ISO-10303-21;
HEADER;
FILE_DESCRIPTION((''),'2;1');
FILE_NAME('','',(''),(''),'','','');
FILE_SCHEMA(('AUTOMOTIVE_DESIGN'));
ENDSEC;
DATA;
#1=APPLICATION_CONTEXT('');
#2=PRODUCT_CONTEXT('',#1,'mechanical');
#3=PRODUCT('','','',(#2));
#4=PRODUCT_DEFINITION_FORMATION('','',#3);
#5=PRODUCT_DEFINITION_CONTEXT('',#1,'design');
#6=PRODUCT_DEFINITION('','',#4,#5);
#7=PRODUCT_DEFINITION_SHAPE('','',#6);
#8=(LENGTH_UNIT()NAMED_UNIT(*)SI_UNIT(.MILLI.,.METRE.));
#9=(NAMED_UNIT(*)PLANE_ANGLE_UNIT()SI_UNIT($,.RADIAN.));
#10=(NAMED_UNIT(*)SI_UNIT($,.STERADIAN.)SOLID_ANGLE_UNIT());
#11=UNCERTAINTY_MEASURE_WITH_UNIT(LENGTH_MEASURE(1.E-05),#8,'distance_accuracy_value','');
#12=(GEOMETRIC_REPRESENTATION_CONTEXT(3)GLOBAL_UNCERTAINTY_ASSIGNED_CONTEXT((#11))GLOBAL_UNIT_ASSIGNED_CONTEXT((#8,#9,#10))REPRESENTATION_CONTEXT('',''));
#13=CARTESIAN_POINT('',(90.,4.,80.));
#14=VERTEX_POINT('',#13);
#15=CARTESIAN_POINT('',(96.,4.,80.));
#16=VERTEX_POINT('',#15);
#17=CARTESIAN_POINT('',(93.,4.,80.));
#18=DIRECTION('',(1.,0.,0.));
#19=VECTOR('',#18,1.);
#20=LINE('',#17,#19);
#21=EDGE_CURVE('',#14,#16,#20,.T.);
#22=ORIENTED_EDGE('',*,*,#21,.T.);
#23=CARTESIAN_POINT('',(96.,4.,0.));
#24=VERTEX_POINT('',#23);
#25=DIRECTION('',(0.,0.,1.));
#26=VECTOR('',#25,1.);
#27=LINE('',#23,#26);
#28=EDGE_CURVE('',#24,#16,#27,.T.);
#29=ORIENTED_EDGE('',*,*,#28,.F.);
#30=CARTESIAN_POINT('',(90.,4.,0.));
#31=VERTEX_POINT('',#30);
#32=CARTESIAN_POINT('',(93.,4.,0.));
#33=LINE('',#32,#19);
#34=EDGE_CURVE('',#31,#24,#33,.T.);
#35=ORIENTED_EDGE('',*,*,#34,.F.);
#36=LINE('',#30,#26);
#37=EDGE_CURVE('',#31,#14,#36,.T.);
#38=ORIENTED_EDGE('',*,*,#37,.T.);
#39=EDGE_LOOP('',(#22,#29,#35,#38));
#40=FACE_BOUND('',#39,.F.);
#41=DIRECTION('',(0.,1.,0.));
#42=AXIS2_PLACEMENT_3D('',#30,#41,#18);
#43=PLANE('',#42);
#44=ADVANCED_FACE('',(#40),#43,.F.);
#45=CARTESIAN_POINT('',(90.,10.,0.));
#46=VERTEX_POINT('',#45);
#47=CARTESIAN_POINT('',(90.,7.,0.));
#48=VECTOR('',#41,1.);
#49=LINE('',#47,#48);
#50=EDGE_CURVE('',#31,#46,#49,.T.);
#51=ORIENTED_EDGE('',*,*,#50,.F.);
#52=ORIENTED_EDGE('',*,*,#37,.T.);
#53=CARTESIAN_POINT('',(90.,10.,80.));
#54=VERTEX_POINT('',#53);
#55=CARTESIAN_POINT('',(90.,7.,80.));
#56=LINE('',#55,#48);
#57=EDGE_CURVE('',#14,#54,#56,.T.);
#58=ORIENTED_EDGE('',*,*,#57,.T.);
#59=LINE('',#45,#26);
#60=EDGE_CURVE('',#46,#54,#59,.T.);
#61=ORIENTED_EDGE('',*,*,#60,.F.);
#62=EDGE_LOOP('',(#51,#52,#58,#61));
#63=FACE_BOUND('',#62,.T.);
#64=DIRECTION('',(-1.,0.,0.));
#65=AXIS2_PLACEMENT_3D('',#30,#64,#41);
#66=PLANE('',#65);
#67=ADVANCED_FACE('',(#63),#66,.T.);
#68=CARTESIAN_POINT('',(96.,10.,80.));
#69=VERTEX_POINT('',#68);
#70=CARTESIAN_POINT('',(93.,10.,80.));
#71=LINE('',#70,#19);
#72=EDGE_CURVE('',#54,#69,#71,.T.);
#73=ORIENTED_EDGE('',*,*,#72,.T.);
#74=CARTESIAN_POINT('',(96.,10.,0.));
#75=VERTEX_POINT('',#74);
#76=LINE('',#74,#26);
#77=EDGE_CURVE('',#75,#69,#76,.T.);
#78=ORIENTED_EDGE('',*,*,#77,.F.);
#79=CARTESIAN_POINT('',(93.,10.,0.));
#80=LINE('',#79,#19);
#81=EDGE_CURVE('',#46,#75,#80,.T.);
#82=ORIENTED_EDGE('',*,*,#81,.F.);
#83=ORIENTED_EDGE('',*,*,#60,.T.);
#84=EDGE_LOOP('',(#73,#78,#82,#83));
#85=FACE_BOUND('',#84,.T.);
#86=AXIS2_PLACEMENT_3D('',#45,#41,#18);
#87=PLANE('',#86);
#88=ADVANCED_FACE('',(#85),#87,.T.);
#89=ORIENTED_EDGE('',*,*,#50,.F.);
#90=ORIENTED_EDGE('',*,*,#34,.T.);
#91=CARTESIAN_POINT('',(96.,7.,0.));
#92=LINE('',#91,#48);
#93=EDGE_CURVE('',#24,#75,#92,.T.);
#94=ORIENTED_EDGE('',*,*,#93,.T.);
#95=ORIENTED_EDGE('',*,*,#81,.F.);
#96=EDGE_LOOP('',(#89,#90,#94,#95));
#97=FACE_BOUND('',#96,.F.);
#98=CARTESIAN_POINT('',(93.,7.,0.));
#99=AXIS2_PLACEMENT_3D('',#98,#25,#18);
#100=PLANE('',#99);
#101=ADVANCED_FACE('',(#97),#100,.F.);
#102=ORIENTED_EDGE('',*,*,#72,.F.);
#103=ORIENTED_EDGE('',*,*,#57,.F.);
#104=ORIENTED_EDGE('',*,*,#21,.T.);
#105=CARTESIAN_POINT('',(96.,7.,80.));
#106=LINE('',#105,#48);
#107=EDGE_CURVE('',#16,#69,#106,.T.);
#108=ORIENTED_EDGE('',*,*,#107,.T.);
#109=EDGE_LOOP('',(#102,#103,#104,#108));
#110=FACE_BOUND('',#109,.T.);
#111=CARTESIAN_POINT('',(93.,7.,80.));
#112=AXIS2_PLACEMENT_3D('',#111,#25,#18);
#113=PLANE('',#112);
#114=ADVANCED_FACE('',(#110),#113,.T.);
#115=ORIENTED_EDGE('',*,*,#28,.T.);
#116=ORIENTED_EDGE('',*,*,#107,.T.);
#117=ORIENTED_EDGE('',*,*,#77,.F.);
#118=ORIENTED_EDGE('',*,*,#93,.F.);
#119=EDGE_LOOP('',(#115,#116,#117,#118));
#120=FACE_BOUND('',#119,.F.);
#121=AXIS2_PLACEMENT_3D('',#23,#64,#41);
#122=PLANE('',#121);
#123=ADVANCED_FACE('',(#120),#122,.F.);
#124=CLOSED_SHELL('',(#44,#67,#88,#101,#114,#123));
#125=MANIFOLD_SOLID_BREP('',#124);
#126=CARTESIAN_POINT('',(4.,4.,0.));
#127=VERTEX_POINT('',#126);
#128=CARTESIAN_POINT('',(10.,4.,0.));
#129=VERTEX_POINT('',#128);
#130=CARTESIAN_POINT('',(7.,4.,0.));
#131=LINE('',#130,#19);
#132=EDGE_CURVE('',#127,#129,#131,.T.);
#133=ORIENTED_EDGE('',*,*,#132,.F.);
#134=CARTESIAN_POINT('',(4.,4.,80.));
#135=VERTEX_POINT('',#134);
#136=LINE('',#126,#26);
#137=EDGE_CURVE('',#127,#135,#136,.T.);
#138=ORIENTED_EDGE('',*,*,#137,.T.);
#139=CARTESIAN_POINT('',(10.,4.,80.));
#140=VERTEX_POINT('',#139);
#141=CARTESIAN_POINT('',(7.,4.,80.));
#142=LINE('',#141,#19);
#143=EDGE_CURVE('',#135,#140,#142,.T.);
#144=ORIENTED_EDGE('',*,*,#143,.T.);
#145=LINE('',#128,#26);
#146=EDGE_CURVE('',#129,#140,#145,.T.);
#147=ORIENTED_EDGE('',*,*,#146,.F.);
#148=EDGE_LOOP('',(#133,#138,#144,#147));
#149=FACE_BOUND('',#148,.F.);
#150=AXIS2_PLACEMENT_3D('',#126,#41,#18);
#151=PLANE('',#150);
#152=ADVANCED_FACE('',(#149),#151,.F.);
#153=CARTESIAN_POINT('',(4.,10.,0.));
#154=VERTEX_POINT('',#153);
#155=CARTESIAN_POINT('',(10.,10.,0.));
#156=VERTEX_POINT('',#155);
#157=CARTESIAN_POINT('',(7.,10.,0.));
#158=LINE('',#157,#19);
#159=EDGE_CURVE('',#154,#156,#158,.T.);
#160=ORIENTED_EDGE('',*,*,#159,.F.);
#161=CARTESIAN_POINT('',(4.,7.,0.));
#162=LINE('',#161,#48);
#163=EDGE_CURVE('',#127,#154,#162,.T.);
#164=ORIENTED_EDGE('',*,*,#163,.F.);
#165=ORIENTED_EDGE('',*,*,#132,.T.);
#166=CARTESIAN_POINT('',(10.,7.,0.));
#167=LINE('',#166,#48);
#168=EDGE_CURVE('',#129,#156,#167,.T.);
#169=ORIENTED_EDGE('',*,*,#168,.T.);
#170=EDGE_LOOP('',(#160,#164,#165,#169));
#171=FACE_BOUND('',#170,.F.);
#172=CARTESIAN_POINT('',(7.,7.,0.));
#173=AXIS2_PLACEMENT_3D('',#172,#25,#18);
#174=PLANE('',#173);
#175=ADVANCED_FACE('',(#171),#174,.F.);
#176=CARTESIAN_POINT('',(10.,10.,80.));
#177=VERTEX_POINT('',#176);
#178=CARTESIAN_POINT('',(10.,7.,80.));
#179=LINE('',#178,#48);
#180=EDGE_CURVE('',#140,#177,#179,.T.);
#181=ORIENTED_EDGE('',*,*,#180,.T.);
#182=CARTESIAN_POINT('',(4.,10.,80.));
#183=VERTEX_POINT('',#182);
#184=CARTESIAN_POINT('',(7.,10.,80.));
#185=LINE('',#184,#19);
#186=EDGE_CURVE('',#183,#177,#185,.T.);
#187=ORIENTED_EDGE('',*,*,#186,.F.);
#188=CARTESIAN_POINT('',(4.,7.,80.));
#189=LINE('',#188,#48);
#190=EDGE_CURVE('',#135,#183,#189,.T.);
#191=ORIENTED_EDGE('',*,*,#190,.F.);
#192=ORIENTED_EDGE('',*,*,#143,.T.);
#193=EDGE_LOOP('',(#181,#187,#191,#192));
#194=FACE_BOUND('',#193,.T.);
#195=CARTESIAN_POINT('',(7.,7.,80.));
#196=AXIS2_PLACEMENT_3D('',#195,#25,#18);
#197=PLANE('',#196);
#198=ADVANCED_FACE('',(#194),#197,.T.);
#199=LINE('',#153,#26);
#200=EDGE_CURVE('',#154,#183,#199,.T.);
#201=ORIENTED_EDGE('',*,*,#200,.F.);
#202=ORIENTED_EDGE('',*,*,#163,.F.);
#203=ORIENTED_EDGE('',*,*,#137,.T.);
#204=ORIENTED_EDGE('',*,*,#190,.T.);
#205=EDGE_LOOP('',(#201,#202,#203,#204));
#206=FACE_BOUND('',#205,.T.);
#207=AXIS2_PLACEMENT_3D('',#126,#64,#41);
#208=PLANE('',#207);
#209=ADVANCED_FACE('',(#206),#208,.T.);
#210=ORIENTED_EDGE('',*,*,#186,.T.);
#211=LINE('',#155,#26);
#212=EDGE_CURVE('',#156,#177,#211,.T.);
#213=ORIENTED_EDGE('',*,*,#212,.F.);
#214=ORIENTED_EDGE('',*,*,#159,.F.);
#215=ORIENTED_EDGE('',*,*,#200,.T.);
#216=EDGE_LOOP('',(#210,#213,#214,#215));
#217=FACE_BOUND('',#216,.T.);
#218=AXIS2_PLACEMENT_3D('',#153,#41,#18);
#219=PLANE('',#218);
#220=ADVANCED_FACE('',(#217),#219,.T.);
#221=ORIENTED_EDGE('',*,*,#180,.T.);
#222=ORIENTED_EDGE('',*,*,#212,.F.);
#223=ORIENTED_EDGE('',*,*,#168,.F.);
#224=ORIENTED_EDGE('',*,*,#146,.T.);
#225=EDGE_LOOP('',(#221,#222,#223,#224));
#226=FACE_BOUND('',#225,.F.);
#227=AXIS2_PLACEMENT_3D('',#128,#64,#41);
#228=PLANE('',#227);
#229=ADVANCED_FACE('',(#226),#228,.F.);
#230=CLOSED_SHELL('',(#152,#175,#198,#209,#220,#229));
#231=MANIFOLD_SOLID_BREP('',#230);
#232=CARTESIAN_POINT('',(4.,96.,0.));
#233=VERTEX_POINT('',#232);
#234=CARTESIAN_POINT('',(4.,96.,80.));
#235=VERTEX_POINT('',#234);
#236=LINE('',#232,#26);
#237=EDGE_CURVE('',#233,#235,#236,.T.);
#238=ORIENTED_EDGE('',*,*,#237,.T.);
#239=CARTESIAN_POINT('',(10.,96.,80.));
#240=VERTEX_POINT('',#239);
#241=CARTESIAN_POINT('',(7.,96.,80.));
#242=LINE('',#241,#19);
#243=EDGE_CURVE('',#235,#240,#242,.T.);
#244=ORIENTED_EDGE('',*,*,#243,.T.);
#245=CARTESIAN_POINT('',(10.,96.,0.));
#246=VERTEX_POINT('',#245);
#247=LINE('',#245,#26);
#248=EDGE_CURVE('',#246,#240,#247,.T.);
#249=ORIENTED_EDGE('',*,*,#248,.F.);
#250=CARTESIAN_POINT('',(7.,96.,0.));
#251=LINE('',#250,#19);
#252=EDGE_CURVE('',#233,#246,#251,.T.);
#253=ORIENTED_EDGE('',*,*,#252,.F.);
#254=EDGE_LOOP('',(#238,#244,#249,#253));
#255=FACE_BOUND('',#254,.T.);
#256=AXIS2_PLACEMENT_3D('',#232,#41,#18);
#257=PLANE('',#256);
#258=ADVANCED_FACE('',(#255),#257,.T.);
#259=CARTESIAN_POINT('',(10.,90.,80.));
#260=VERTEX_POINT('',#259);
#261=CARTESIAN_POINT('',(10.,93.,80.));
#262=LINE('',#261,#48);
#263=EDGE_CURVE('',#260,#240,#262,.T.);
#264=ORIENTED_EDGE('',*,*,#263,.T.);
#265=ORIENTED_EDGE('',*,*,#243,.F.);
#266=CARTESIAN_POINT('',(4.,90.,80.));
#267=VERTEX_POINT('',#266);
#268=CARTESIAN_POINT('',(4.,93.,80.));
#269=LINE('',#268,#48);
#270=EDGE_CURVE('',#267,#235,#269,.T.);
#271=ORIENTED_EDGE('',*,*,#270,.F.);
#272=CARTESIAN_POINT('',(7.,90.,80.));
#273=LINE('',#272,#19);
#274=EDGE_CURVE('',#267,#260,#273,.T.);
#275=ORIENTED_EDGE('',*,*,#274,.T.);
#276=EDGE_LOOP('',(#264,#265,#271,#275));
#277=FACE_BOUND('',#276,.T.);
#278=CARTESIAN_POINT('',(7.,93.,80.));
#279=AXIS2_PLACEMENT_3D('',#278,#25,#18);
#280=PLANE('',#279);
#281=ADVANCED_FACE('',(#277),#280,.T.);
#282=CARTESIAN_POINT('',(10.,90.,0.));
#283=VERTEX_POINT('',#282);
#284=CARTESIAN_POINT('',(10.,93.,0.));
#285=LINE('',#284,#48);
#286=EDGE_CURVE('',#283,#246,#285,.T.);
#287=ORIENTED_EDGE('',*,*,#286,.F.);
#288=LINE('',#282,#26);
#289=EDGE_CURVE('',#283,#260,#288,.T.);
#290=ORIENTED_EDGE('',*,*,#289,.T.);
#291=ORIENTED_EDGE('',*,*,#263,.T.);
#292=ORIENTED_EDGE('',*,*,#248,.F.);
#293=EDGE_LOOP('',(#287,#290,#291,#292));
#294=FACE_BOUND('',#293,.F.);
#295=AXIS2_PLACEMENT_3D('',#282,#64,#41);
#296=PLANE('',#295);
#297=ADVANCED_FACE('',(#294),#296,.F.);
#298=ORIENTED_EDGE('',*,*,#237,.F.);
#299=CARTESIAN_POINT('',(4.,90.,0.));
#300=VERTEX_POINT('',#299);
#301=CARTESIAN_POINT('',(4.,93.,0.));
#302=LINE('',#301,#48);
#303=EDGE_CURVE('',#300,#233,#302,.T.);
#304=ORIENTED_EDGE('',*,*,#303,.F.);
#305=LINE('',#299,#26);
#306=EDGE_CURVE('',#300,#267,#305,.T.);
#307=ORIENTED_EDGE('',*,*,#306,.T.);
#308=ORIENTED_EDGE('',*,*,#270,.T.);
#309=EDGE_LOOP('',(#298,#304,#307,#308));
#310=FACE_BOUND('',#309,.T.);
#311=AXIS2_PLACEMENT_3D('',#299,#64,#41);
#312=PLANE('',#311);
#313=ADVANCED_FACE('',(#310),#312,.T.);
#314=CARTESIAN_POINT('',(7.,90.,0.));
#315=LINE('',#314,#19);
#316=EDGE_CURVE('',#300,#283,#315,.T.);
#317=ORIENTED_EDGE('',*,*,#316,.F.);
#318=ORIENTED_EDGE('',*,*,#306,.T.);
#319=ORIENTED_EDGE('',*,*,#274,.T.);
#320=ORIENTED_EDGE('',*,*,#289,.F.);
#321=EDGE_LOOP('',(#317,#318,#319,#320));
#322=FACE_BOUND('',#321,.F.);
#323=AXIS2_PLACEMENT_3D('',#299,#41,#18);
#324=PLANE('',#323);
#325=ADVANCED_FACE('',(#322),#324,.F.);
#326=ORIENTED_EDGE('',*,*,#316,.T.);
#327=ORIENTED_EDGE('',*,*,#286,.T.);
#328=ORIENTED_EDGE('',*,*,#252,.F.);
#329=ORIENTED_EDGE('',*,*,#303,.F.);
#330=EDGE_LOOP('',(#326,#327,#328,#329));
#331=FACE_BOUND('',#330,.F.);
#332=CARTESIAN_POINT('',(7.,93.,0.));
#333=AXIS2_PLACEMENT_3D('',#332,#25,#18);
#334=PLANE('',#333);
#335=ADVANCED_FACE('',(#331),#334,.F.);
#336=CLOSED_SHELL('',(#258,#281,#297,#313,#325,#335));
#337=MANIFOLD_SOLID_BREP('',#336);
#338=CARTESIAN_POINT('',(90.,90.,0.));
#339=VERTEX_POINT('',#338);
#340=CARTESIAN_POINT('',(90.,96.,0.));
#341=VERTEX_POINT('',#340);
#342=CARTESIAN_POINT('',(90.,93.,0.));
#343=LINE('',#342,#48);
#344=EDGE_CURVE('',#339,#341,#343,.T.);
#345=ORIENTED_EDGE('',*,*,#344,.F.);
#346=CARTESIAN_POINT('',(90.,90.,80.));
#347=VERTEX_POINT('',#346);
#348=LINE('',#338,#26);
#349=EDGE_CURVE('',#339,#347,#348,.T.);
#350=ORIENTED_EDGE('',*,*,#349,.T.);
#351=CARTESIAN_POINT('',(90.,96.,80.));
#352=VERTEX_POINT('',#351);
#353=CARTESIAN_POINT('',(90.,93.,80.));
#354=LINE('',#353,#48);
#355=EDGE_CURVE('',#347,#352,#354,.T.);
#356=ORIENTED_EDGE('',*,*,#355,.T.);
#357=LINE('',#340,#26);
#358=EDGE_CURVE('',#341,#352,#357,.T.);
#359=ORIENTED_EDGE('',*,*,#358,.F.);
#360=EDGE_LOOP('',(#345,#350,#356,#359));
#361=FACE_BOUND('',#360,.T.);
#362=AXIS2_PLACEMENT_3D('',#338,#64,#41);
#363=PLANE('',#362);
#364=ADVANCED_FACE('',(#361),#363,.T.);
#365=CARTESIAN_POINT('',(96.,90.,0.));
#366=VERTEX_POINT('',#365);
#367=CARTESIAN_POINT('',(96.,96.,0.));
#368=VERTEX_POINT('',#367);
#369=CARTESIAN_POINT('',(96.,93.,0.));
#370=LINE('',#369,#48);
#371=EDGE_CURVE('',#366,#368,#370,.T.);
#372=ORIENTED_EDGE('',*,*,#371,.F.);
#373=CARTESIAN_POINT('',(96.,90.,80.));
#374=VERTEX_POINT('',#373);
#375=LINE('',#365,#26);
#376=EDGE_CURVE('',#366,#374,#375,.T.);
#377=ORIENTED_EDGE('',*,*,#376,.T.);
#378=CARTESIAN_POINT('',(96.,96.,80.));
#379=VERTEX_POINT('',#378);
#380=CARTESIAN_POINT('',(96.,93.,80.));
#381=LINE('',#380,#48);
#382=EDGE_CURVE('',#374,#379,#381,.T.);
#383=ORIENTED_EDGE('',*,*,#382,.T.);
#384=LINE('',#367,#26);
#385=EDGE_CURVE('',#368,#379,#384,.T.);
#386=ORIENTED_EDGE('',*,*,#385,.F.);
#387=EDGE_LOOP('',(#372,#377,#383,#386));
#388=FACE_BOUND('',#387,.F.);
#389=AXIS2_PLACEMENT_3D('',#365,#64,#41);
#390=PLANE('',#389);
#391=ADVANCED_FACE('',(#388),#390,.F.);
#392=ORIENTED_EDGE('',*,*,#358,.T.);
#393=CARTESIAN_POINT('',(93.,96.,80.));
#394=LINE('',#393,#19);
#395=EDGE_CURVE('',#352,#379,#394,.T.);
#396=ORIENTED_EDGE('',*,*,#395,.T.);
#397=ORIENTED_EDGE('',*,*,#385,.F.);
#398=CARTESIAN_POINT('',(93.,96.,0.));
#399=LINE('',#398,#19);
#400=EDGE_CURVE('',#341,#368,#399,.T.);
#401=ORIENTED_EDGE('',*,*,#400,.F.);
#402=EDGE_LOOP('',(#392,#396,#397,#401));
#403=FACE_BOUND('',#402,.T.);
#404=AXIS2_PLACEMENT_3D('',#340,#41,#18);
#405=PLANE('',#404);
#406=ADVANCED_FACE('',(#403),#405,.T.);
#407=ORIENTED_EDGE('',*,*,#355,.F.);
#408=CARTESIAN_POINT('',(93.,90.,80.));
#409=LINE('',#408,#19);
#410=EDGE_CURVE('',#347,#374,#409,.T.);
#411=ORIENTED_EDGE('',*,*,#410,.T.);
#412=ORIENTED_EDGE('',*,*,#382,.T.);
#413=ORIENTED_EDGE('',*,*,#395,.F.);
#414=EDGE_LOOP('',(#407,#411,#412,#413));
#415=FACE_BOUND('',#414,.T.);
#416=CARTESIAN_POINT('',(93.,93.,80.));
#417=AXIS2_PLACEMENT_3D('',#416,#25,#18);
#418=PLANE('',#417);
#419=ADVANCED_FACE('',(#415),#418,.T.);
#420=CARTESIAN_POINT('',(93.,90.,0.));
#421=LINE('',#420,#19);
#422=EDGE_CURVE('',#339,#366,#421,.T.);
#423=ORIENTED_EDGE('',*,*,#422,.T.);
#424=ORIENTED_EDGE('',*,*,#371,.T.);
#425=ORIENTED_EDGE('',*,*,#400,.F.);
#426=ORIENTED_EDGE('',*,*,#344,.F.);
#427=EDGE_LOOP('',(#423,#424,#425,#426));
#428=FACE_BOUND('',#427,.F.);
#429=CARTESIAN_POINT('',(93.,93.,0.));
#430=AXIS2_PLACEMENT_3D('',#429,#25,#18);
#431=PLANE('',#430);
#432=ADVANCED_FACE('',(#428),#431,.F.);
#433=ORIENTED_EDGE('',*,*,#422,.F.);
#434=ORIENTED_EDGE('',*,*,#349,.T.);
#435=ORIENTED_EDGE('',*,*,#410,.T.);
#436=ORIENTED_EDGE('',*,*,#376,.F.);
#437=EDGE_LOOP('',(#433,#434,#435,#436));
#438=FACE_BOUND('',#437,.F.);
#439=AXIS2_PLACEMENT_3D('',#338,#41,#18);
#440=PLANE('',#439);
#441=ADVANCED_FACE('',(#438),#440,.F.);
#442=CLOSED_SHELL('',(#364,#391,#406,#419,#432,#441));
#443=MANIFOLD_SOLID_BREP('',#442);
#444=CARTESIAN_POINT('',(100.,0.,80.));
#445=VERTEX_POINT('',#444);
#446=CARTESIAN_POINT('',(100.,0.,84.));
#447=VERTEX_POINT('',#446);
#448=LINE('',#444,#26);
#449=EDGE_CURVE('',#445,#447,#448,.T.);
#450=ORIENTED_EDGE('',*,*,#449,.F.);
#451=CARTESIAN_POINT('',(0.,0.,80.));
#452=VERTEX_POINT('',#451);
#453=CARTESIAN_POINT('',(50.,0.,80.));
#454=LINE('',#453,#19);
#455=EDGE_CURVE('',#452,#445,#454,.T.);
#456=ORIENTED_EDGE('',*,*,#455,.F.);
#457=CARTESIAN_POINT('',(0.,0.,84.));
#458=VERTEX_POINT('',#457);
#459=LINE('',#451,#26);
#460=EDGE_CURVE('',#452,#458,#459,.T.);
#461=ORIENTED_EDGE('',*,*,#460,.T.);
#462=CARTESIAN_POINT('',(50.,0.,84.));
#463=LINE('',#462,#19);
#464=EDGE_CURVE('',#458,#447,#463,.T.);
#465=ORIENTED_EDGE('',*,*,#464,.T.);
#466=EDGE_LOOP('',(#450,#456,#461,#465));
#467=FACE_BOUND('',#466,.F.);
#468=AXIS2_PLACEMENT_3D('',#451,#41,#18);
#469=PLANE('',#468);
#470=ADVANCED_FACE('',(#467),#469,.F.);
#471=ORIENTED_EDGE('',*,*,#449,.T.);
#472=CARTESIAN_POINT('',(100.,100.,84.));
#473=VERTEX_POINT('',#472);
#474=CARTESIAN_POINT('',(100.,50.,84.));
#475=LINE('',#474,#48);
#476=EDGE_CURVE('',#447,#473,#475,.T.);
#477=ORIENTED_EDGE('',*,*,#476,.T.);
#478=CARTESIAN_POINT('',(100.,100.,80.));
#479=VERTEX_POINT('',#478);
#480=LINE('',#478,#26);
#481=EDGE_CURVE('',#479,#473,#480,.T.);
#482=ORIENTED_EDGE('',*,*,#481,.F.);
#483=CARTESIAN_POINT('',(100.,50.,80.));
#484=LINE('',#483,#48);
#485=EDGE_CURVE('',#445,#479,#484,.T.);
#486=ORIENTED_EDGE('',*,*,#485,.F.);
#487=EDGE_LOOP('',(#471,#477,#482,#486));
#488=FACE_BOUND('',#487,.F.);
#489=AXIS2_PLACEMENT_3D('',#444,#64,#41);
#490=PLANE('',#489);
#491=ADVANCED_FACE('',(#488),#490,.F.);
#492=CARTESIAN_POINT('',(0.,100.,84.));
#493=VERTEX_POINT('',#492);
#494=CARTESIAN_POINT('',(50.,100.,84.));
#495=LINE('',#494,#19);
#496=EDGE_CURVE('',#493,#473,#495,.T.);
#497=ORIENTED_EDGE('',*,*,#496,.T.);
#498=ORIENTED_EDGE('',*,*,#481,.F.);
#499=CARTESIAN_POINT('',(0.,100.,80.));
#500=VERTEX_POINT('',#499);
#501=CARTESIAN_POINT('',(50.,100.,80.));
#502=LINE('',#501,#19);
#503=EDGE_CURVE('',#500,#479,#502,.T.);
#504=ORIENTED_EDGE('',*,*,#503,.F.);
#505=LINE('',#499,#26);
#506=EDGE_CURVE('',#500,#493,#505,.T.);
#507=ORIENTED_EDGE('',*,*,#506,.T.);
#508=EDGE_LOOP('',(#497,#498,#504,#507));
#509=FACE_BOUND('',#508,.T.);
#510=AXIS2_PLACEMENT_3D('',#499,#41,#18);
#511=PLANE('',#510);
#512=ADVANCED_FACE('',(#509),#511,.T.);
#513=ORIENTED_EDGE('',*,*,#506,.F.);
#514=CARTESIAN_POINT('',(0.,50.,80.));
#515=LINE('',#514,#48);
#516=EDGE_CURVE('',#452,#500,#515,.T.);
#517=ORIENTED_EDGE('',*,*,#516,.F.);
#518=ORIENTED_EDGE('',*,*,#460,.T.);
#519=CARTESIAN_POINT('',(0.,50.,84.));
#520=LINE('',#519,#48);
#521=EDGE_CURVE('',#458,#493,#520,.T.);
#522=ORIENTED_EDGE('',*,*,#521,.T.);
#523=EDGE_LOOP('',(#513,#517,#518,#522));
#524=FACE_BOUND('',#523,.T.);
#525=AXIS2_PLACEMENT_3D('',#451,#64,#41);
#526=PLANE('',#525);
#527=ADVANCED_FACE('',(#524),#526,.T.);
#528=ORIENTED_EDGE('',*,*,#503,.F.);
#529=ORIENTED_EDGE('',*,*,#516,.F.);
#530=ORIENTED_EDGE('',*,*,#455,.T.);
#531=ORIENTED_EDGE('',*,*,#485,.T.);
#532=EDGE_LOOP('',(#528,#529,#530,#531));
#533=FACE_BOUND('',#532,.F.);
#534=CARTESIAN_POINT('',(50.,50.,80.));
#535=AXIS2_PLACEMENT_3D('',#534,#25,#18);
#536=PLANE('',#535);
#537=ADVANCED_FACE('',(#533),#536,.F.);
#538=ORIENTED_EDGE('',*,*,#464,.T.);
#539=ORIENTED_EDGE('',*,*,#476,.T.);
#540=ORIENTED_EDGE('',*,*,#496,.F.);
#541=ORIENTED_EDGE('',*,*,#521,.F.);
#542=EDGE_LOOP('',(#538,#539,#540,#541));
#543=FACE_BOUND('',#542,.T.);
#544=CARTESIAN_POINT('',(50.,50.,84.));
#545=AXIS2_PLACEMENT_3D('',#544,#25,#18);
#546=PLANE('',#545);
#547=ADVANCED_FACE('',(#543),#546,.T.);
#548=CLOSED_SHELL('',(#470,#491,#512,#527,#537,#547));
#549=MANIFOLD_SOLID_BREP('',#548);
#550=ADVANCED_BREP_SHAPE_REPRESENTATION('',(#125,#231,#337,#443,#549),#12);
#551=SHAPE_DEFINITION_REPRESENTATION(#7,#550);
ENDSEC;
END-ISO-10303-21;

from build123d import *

# Parameters (mm, degrees)
BOX_W        = 100
BOX_H        = 100
BOX_DEPTH    = 4
BOX001_W     = 6
BOX001_H     = 6
BOX001_DEPTH = 80
BOX002_W     = 6
BOX002_H     = 6
BOX002_DEPTH = 80
BOX003_W     = 6
BOX003_H     = 6
BOX003_DEPTH = 80
BOX004_W     = 6
BOX004_H     = 6
BOX004_DEPTH = 80


with BuildPart() as cube:
    # Box → Box (new body)
    with BuildSketch(Plane.XY.offset(80)):
        with Locations((50, 50)):
            Rectangle(BOX_W, BOX_H)
    extrude(amount=BOX_DEPTH)


with BuildPart() as cube001:
    # Box001 → Box001 (new body)
    with BuildSketch(Plane(origin=(4, 4, 0), x_dir=(1, 0, 0), z_dir=(0, 0, 1))):
        with Locations((3, 3)):
            Rectangle(BOX001_W, BOX001_H)
    extrude(amount=BOX001_DEPTH)


with BuildPart() as cube002:
    # Box002 → Box002 (new body)
    with BuildSketch(Plane(origin=(90, 90, 0), x_dir=(1, 0, 0), z_dir=(0, 0, 1))):
        with Locations((3, 3)):
            Rectangle(BOX002_W, BOX002_H)
    extrude(amount=BOX002_DEPTH)


with BuildPart() as cube003:
    # Box003 → Box003 (new body)
    with BuildSketch(Plane(origin=(4, 90, 0), x_dir=(1, 0, 0), z_dir=(0, 0, 1))):
        with Locations((3, 3)):
            Rectangle(BOX003_W, BOX003_H)
    extrude(amount=BOX003_DEPTH)


with BuildPart() as cube004:
    # Box004 → Box004 (new body)
    with BuildSketch(Plane(origin=(90, 4, 0), x_dir=(1, 0, 0), z_dir=(0, 0, 1))):
        with Locations((3, 3)):
            Rectangle(BOX004_W, BOX004_H)
    extrude(amount=BOX004_DEPTH)


solid = Compound([cube.part, cube001.part, cube002.part, cube003.part, cube004.part])
